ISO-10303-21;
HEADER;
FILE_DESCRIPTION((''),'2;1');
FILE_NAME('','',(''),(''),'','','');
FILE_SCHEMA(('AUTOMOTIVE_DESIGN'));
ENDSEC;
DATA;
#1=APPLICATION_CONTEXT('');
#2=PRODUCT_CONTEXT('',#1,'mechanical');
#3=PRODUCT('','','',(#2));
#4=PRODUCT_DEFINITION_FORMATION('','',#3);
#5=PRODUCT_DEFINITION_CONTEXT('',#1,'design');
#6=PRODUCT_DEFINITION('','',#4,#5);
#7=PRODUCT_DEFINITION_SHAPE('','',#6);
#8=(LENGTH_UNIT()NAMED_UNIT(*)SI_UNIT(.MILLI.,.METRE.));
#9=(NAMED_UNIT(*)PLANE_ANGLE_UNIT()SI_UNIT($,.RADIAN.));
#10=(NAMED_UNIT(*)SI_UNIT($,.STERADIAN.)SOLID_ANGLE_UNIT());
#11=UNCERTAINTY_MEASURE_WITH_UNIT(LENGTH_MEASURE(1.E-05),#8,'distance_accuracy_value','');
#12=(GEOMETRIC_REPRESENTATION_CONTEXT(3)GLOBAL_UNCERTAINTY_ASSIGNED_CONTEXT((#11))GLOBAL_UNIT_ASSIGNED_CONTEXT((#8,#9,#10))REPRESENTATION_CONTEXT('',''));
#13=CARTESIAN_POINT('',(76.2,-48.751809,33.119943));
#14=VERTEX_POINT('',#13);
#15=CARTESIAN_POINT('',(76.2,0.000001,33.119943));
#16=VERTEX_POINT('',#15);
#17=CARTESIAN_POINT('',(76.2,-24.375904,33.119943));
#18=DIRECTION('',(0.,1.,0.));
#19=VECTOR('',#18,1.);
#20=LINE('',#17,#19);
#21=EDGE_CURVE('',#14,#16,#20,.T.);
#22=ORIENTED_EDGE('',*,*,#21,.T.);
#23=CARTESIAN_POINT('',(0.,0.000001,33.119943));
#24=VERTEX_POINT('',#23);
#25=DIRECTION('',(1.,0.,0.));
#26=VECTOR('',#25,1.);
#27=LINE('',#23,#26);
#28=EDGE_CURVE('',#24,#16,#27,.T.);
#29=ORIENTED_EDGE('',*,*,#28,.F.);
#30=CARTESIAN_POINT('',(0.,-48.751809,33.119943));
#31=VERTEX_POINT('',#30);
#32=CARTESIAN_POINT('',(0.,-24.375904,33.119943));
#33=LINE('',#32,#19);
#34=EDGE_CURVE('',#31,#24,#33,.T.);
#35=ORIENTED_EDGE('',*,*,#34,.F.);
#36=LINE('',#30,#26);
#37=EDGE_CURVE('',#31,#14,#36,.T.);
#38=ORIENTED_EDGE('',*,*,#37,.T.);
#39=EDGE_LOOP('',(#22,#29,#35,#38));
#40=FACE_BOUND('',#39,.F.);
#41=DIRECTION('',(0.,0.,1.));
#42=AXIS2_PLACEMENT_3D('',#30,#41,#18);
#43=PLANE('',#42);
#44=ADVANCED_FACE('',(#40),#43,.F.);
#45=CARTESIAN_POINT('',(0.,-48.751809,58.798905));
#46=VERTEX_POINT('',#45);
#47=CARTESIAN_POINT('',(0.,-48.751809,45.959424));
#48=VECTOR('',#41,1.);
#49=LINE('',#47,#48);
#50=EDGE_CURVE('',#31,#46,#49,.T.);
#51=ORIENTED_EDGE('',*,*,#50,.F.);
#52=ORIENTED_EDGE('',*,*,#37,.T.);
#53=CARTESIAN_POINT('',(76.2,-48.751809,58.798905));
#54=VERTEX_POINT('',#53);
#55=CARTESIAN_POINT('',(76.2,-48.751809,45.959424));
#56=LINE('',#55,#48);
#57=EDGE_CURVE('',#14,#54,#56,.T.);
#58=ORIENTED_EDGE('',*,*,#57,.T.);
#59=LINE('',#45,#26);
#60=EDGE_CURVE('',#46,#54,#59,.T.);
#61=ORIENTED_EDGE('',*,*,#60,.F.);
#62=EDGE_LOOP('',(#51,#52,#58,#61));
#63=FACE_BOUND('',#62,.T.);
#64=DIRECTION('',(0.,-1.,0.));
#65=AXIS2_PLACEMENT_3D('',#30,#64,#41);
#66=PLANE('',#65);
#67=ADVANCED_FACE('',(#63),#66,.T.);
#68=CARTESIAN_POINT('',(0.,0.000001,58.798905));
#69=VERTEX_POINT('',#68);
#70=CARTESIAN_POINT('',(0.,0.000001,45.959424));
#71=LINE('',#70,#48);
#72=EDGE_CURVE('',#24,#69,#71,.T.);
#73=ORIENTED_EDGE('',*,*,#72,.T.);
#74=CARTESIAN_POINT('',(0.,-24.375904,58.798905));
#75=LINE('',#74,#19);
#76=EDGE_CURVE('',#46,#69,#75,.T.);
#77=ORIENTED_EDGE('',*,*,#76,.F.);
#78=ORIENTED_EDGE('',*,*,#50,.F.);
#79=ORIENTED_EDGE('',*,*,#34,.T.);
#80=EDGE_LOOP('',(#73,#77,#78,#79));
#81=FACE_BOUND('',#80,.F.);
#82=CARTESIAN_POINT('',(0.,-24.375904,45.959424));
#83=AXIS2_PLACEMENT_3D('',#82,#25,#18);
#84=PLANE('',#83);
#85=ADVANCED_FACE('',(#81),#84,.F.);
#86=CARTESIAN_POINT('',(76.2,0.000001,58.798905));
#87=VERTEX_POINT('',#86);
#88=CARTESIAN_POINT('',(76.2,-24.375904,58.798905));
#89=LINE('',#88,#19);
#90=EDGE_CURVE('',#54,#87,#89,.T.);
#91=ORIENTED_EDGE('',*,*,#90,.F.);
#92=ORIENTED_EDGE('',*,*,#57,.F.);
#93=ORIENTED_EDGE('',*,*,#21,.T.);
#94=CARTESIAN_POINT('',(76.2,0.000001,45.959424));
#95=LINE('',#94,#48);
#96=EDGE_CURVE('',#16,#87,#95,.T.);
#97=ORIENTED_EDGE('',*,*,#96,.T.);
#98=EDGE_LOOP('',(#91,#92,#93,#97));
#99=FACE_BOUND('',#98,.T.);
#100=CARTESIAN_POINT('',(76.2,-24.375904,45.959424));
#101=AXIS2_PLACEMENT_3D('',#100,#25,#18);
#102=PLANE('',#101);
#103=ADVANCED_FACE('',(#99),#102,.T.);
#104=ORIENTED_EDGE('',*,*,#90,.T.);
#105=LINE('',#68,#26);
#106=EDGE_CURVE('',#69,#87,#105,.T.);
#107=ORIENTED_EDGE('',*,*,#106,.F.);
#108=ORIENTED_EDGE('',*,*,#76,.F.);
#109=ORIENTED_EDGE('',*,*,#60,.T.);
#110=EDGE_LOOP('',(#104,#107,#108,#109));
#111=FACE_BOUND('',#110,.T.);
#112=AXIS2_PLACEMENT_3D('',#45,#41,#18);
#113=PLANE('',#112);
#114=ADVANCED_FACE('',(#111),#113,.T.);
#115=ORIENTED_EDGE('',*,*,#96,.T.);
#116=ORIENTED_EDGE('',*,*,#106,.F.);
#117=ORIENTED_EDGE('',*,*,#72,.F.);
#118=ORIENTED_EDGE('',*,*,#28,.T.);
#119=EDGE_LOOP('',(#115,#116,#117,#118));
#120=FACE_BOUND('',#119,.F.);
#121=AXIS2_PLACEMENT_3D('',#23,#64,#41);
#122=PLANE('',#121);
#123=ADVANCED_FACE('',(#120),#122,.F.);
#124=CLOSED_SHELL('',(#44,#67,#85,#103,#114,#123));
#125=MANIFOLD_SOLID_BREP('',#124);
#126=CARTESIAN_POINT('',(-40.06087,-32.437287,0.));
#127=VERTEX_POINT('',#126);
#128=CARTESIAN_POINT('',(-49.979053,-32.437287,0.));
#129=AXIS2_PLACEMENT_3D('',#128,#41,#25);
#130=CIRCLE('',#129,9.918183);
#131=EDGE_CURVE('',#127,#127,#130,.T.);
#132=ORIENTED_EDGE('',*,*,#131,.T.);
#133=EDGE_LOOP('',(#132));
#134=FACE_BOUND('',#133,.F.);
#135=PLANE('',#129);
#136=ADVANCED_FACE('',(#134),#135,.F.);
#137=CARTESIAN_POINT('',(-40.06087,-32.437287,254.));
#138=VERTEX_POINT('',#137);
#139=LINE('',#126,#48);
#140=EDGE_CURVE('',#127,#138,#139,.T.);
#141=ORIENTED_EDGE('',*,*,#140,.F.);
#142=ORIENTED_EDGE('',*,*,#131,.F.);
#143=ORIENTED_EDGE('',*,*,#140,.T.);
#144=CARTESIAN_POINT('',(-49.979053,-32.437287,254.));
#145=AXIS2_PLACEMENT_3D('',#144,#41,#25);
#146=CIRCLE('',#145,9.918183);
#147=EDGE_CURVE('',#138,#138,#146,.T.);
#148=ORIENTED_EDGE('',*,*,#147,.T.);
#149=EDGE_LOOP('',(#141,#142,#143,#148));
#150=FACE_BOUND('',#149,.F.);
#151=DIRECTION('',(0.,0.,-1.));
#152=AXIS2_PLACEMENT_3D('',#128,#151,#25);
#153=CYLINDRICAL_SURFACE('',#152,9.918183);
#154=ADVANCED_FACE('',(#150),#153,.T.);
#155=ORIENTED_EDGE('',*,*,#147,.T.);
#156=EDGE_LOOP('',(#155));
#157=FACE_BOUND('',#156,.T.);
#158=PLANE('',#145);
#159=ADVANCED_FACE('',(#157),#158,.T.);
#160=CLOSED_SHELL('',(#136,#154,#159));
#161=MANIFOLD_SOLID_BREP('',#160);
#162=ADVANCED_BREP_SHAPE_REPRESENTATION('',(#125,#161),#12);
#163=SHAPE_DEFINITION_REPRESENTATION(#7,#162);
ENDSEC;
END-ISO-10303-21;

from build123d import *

# Parameters (mm, degrees)
F0_R     = 9.918183
F1_DEPTH = 254
F2_W     = 48.751809
F2_H     = 25.678962
F3_DEPTH = 76.2


with BuildPart() as f1:
    # F0 (on Top) → F1 (new body)
    with BuildSketch(Plane.XY):
        with Locations((-49.979053, -32.437287)):
            Circle(F0_R)
    extrude(amount=F1_DEPTH)


with BuildPart() as f3:
    # F2 (on Right) → F3 (new body)
    with BuildSketch(Plane.YZ):
        with Locations((-24.375904, 45.959424)):
            Rectangle(F2_W, F2_H)
    extrude(amount=F3_DEPTH)


solid = Compound([f1.part, f3.part])
